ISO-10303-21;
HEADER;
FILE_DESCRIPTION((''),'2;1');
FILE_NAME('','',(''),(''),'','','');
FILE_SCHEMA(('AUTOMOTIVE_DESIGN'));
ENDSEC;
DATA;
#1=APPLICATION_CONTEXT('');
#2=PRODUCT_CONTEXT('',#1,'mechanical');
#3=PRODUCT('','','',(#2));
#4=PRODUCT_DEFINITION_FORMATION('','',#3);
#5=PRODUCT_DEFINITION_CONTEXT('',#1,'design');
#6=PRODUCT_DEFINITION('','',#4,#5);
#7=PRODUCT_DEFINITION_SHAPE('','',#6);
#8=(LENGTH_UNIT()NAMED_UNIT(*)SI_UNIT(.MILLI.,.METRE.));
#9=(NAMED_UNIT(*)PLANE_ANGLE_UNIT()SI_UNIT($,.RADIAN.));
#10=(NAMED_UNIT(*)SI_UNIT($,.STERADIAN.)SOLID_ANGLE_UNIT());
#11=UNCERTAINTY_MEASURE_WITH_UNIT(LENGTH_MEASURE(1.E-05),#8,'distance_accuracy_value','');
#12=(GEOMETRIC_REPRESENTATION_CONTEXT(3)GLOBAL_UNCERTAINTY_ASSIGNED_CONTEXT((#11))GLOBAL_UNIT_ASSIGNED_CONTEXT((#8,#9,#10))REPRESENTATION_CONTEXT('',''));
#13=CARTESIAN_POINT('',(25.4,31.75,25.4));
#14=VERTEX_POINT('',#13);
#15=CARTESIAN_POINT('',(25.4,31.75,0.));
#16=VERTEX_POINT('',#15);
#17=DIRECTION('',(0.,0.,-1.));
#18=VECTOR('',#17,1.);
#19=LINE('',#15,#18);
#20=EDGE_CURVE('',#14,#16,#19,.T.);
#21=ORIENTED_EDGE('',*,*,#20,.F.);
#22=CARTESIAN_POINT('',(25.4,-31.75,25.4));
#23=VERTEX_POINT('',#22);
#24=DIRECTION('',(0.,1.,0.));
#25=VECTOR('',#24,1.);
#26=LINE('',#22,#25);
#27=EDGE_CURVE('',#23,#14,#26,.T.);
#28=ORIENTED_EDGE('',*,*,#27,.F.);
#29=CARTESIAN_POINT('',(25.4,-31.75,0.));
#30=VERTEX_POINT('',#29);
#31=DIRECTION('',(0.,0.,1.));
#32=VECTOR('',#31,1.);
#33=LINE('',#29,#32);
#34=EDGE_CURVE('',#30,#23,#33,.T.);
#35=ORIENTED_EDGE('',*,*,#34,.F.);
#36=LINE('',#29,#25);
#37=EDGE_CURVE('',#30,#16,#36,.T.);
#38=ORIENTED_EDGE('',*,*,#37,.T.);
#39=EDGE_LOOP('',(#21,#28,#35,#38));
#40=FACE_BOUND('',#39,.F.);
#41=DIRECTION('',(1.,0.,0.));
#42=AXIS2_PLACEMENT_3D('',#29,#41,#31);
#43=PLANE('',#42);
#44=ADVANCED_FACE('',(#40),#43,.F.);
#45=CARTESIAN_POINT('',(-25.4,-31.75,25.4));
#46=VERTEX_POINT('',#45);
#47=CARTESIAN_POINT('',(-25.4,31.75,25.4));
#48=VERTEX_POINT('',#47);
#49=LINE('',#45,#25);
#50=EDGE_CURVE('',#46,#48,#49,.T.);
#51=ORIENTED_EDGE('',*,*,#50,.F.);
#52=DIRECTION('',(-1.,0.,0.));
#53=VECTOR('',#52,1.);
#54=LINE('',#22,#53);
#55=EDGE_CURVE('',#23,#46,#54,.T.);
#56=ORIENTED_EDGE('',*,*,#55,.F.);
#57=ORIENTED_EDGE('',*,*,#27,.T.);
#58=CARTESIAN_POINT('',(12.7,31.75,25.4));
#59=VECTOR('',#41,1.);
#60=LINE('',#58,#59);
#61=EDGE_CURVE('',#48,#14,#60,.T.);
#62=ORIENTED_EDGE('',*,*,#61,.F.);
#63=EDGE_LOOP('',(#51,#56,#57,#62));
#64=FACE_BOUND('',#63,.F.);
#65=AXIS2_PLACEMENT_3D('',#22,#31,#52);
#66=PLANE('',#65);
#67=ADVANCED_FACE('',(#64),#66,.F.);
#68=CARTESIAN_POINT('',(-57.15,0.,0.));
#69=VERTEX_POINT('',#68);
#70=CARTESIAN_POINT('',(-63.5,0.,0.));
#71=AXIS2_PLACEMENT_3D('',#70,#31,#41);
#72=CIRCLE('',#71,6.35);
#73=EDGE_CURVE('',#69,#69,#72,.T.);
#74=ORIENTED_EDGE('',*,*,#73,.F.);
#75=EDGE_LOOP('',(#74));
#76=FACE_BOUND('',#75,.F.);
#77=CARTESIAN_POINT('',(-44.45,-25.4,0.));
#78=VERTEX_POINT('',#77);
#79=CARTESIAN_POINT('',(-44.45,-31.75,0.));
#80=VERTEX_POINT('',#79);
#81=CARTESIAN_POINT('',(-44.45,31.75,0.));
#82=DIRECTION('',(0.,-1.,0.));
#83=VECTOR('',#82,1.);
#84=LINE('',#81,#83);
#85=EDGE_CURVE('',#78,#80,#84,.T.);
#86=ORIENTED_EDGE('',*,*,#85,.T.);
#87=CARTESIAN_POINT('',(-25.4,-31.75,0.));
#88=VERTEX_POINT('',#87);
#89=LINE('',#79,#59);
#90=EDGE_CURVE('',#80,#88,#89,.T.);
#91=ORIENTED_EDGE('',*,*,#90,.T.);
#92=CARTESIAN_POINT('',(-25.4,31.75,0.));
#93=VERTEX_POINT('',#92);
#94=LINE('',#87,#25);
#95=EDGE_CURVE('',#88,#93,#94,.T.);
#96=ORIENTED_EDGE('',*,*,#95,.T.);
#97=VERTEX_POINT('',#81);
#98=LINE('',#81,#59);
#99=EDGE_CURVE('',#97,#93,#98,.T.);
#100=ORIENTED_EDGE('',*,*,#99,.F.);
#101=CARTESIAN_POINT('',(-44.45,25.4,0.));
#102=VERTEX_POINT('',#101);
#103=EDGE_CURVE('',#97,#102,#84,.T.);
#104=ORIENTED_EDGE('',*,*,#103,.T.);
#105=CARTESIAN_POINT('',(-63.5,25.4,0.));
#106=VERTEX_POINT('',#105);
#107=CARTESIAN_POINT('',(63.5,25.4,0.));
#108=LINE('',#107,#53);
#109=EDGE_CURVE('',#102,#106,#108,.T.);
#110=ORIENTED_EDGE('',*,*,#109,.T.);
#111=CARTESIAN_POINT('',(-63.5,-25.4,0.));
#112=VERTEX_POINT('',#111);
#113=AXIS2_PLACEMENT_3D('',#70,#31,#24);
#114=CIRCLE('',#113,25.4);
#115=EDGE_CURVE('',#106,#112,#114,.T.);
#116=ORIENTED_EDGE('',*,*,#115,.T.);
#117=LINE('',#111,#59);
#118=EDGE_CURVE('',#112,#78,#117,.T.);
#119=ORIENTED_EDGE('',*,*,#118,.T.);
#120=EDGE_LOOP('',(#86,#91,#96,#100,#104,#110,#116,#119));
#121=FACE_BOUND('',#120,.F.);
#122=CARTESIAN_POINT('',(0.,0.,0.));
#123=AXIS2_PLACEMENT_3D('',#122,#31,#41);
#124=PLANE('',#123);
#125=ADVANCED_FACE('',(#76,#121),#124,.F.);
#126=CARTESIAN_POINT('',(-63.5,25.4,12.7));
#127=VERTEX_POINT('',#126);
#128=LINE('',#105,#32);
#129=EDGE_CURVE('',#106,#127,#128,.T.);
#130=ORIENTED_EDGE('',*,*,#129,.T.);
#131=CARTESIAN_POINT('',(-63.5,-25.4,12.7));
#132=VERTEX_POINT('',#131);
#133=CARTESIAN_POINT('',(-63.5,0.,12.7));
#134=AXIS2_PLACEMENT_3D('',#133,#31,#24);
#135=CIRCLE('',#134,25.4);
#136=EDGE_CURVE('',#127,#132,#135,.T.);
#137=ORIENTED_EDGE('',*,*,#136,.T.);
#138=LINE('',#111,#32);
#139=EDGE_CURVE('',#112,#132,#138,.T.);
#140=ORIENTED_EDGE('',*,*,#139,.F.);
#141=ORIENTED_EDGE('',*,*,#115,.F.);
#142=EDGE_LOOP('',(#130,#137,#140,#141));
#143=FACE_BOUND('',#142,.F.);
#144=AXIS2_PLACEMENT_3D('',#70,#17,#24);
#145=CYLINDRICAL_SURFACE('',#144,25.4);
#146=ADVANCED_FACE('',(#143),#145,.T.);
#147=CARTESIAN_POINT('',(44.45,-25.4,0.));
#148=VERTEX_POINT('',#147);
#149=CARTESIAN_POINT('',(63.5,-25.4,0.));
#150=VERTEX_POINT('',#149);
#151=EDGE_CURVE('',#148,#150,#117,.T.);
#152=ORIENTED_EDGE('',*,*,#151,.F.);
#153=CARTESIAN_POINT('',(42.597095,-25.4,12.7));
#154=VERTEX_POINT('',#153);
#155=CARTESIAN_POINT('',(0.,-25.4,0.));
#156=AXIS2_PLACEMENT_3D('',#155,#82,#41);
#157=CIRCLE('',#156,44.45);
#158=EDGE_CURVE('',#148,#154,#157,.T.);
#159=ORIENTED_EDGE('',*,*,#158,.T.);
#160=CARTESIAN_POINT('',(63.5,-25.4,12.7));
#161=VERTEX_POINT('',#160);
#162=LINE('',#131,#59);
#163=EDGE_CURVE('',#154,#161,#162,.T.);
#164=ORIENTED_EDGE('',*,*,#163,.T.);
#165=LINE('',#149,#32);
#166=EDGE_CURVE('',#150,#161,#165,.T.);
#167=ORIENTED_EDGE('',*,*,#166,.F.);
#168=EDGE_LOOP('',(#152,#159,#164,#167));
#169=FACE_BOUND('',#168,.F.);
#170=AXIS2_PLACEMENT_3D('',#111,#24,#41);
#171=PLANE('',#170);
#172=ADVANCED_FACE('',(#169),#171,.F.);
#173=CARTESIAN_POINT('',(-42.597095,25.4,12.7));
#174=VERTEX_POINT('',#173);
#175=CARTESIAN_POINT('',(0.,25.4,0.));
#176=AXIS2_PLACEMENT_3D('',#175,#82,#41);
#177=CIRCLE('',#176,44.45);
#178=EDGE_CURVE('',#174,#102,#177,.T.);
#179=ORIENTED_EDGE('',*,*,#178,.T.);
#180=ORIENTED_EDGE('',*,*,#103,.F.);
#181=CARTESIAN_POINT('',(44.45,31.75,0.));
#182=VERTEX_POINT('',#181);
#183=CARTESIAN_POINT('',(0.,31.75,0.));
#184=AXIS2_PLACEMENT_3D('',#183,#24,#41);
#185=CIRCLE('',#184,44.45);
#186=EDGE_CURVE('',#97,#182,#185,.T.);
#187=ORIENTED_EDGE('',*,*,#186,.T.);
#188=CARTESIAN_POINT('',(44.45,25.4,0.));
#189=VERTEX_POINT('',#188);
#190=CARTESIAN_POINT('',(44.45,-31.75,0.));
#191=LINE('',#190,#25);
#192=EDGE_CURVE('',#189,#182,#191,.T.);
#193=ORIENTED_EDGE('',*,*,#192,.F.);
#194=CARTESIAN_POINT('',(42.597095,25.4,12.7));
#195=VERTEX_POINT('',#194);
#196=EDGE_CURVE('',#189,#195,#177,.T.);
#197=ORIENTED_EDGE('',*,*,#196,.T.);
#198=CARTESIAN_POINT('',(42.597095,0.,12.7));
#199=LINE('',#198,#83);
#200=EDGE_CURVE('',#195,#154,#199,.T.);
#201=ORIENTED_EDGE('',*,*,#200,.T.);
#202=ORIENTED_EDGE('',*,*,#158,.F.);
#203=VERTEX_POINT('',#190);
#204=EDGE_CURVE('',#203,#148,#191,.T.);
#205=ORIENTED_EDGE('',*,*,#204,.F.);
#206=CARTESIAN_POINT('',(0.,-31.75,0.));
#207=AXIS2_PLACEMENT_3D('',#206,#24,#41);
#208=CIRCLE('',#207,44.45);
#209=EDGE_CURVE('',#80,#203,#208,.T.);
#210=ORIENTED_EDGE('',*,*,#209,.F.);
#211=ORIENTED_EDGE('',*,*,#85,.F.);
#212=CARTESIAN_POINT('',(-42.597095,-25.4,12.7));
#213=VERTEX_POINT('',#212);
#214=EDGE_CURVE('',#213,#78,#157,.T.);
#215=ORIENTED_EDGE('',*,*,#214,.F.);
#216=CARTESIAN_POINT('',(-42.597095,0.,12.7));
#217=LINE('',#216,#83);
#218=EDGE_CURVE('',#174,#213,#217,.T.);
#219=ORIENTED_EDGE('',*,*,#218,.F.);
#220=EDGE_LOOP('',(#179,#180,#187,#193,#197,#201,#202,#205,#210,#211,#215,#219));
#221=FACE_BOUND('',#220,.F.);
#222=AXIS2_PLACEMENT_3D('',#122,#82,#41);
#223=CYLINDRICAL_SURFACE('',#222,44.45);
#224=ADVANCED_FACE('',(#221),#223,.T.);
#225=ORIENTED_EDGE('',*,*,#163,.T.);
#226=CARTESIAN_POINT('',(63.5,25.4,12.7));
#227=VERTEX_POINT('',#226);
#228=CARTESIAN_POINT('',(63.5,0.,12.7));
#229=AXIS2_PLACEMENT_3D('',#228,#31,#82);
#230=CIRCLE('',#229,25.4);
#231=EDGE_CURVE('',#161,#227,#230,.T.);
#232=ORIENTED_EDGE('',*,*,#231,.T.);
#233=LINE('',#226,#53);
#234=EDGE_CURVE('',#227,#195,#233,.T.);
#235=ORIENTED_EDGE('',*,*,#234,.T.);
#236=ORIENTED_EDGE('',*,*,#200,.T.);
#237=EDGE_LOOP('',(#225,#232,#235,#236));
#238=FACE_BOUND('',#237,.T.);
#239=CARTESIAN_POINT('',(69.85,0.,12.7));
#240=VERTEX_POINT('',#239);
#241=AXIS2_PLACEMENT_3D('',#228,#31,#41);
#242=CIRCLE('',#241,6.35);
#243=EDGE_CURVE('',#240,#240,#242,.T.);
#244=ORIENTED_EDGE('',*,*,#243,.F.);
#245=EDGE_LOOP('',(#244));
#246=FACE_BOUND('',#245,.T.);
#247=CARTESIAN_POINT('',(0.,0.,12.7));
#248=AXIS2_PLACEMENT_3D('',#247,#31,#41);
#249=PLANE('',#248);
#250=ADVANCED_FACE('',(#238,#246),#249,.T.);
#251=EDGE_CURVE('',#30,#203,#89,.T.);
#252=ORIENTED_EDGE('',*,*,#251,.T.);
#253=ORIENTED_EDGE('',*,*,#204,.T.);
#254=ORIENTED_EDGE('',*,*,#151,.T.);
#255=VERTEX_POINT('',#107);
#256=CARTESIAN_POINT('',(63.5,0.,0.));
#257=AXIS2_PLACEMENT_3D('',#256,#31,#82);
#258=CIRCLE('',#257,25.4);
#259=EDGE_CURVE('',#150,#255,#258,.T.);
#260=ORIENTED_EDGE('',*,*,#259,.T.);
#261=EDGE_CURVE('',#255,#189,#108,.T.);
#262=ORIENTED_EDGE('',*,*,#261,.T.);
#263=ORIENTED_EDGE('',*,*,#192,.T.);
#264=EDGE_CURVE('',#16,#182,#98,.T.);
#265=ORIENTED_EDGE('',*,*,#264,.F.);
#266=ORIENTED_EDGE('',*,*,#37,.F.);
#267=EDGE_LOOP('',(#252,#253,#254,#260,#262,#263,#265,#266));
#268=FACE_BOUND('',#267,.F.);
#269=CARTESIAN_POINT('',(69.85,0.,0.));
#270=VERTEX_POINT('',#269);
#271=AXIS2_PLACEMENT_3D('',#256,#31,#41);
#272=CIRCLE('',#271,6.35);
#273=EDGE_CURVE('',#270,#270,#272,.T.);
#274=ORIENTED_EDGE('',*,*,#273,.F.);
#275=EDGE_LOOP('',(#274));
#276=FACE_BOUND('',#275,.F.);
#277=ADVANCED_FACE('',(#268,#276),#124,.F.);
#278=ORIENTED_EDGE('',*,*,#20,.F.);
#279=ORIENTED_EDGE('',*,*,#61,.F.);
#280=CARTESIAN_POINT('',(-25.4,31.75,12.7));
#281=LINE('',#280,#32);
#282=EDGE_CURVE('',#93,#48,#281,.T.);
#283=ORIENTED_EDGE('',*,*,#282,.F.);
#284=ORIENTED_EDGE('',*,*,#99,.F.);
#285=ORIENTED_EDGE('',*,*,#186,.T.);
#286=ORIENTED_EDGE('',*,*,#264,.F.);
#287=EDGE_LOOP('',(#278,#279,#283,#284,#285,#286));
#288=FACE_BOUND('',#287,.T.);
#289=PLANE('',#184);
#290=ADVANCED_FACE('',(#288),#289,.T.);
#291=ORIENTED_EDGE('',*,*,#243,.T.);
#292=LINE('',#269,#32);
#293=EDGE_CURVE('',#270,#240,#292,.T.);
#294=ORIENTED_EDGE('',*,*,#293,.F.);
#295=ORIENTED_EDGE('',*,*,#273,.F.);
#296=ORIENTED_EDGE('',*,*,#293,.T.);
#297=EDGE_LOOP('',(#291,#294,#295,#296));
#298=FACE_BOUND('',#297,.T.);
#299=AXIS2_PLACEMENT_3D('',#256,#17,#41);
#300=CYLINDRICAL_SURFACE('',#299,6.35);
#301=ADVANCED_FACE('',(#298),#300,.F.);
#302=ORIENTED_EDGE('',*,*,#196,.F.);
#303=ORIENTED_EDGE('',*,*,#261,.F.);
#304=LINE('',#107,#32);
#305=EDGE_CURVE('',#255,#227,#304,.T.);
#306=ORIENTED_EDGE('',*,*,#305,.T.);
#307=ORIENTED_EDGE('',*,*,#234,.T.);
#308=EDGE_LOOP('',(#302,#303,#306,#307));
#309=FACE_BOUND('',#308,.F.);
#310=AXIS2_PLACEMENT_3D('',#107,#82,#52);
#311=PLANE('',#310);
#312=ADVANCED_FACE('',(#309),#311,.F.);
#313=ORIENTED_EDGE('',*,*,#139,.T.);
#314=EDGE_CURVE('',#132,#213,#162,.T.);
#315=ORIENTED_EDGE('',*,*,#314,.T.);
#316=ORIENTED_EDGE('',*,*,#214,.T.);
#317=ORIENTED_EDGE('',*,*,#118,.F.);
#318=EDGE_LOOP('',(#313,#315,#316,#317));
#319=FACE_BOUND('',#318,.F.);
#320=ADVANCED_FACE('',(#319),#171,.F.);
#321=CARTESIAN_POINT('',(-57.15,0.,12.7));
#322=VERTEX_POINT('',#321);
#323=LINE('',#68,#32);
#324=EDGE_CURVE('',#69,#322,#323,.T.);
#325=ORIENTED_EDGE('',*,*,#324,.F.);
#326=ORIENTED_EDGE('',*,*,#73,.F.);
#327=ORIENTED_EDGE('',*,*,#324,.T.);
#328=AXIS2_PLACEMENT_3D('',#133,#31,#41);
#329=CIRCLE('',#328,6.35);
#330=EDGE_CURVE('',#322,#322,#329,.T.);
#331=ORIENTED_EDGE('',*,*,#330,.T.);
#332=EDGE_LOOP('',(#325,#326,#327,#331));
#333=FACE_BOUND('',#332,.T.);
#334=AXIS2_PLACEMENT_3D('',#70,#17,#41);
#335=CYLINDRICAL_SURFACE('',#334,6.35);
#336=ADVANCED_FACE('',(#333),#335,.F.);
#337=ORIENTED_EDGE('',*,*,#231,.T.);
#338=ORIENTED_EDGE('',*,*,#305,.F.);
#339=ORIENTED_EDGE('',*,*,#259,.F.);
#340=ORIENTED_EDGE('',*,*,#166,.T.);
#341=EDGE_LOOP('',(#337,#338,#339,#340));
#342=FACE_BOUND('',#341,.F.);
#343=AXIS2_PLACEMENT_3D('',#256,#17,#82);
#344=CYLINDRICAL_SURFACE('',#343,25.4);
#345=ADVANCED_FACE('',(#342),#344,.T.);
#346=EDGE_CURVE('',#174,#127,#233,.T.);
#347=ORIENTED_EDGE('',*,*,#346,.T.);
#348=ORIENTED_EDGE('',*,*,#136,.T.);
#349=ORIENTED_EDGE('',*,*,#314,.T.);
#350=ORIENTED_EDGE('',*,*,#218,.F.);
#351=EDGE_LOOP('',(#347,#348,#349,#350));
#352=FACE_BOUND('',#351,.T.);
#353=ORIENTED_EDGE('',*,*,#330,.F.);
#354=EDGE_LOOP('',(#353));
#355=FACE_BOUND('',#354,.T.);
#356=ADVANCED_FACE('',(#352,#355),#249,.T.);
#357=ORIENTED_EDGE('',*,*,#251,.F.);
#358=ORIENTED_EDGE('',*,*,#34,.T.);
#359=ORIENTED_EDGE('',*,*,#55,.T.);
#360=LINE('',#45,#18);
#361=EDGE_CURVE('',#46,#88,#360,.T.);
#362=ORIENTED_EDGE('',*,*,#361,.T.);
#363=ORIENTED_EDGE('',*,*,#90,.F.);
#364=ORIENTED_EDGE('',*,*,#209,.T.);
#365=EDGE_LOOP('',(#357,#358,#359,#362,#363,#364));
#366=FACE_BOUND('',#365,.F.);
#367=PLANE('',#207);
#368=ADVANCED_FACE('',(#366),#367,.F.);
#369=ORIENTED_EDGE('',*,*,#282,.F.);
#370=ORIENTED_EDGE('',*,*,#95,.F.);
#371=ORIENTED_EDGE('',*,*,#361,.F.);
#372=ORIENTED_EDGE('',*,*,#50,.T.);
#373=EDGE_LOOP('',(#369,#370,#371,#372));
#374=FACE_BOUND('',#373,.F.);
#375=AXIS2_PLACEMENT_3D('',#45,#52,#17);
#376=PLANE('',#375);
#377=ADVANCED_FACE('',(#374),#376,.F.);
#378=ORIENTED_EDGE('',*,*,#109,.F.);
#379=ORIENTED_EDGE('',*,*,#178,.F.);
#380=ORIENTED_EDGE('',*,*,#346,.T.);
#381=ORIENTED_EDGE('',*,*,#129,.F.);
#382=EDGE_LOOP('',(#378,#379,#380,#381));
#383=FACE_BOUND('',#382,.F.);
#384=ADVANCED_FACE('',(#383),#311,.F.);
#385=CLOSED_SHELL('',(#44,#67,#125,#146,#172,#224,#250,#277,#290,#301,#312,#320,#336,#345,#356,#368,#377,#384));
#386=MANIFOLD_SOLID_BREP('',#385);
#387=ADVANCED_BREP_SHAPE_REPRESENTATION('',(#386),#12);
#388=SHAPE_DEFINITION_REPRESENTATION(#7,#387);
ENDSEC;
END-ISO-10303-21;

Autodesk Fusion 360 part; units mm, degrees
sketch "Sketch1" plane through (0, 0, 0) normal (0, 0, 1) x (1, 0, 0) in component "u-Bracket"
  line L0 (-63.5, -25.4) -> (63.5, -25.4)
  arc A0 (63.5, -25.4) -> (63.5, 25.4) centre (63.5, 0) ccw
  line L1 (63.5, 25.4) -> (-63.5, 25.4)
  arc A1 (-63.5, 25.4) -> (-63.5, -25.4) centre (-63.5, 0) ccw
  line L2 (-63.5, 0) -> (63.5, 0) construction
  circle A2 centre (63.5, 0) radius 6.35
  circle A3 centre (-63.5, 0) radius 6.35
  dimension "d1" = 127
  dimension "d2" = 12.7
  dimension "d3" = 12.7
  dimension "d4" = 25.4
  dimension "d5" = 63.5
extrude "Extrude2" add sketch "Sketch1" along normal blind 12.7 makes body 1 in component "u-Bracket"
extrude "Extrude1" add sketch "Sketch1" along normal blind 12.7 separate body makes body 2 in component "u-Bracket"
sketch "Sketch2" plane through (0, 0, 0) normal (0, 1, 0) x (1, 0, 0) in component "u-Bracket"
  circle A0 centre (0, 0) radius 44.45
  line L0 (-44.45, 0) -> (44.45, 0)
  dimension "d10" = 88.9
extrude "Extrude3" add sketch "Sketch2" along normal mid plane 63.5 contours A0 L0 picked at (-7.4083, -12.8316) bodies 1 2 in component "u-Bracket"
sketch "Sketch3" plane through (0, -31.75, 0) normal (0, -1, 0) x (1, 0, 0) in component "u-Bracket"
  arc A0 (44.45, 0) -> (-44.45, 0) centre (0, 0) ccw
  line L0 (-44.45, 0) -> (44.45, 0)
  line L1 (-25.4, 0) -> (25.4, 0)
  line L2 (25.4, 0) -> (25.4, 25.4)
  line L3 (25.4, 25.4) -> (-25.4, 25.4)
  line L4 (-25.4, 25.4) -> (-25.4, 0)
  line L5 (-63.5, 0) -> (63.5, 0)
  dimension "d13" = 50.8
  dimension "d14" = 25.4
extrude "Extrude4" cut sketch "Sketch3" against normal through all contours L0 L1 L2 L3 L4 L5 bodies 1 in component "u-Bracket"
sketch "Sketch4" plane through (0, 0, 25.4) normal (0, 0, -1) x (1, 0, 0) in component "u-Bracket"
  line L0 (-25.4, -31.75) -> (25.4, -31.75)
  line L1 (25.4, -31.75) -> (25.4, 31.75)
  line L2 (25.4, 31.75) -> (-25.4, 31.75)
  line L3 (-25.4, 31.75) -> (-25.4, -31.75)
  circle A0 centre (0, 0) radius 3.175
  dimension "d16" = 6.35
extrude "Extrude5" cut sketch "Sketch4" along normal through all contours A0 bodies 1 in component "u-Bracket"
component "u-Bracket" placed x (1, 0, 0) y (0, 1, 0) z (0, 0, 1) at (0, 0, 0)
equation "d5 = d1 / 2"
